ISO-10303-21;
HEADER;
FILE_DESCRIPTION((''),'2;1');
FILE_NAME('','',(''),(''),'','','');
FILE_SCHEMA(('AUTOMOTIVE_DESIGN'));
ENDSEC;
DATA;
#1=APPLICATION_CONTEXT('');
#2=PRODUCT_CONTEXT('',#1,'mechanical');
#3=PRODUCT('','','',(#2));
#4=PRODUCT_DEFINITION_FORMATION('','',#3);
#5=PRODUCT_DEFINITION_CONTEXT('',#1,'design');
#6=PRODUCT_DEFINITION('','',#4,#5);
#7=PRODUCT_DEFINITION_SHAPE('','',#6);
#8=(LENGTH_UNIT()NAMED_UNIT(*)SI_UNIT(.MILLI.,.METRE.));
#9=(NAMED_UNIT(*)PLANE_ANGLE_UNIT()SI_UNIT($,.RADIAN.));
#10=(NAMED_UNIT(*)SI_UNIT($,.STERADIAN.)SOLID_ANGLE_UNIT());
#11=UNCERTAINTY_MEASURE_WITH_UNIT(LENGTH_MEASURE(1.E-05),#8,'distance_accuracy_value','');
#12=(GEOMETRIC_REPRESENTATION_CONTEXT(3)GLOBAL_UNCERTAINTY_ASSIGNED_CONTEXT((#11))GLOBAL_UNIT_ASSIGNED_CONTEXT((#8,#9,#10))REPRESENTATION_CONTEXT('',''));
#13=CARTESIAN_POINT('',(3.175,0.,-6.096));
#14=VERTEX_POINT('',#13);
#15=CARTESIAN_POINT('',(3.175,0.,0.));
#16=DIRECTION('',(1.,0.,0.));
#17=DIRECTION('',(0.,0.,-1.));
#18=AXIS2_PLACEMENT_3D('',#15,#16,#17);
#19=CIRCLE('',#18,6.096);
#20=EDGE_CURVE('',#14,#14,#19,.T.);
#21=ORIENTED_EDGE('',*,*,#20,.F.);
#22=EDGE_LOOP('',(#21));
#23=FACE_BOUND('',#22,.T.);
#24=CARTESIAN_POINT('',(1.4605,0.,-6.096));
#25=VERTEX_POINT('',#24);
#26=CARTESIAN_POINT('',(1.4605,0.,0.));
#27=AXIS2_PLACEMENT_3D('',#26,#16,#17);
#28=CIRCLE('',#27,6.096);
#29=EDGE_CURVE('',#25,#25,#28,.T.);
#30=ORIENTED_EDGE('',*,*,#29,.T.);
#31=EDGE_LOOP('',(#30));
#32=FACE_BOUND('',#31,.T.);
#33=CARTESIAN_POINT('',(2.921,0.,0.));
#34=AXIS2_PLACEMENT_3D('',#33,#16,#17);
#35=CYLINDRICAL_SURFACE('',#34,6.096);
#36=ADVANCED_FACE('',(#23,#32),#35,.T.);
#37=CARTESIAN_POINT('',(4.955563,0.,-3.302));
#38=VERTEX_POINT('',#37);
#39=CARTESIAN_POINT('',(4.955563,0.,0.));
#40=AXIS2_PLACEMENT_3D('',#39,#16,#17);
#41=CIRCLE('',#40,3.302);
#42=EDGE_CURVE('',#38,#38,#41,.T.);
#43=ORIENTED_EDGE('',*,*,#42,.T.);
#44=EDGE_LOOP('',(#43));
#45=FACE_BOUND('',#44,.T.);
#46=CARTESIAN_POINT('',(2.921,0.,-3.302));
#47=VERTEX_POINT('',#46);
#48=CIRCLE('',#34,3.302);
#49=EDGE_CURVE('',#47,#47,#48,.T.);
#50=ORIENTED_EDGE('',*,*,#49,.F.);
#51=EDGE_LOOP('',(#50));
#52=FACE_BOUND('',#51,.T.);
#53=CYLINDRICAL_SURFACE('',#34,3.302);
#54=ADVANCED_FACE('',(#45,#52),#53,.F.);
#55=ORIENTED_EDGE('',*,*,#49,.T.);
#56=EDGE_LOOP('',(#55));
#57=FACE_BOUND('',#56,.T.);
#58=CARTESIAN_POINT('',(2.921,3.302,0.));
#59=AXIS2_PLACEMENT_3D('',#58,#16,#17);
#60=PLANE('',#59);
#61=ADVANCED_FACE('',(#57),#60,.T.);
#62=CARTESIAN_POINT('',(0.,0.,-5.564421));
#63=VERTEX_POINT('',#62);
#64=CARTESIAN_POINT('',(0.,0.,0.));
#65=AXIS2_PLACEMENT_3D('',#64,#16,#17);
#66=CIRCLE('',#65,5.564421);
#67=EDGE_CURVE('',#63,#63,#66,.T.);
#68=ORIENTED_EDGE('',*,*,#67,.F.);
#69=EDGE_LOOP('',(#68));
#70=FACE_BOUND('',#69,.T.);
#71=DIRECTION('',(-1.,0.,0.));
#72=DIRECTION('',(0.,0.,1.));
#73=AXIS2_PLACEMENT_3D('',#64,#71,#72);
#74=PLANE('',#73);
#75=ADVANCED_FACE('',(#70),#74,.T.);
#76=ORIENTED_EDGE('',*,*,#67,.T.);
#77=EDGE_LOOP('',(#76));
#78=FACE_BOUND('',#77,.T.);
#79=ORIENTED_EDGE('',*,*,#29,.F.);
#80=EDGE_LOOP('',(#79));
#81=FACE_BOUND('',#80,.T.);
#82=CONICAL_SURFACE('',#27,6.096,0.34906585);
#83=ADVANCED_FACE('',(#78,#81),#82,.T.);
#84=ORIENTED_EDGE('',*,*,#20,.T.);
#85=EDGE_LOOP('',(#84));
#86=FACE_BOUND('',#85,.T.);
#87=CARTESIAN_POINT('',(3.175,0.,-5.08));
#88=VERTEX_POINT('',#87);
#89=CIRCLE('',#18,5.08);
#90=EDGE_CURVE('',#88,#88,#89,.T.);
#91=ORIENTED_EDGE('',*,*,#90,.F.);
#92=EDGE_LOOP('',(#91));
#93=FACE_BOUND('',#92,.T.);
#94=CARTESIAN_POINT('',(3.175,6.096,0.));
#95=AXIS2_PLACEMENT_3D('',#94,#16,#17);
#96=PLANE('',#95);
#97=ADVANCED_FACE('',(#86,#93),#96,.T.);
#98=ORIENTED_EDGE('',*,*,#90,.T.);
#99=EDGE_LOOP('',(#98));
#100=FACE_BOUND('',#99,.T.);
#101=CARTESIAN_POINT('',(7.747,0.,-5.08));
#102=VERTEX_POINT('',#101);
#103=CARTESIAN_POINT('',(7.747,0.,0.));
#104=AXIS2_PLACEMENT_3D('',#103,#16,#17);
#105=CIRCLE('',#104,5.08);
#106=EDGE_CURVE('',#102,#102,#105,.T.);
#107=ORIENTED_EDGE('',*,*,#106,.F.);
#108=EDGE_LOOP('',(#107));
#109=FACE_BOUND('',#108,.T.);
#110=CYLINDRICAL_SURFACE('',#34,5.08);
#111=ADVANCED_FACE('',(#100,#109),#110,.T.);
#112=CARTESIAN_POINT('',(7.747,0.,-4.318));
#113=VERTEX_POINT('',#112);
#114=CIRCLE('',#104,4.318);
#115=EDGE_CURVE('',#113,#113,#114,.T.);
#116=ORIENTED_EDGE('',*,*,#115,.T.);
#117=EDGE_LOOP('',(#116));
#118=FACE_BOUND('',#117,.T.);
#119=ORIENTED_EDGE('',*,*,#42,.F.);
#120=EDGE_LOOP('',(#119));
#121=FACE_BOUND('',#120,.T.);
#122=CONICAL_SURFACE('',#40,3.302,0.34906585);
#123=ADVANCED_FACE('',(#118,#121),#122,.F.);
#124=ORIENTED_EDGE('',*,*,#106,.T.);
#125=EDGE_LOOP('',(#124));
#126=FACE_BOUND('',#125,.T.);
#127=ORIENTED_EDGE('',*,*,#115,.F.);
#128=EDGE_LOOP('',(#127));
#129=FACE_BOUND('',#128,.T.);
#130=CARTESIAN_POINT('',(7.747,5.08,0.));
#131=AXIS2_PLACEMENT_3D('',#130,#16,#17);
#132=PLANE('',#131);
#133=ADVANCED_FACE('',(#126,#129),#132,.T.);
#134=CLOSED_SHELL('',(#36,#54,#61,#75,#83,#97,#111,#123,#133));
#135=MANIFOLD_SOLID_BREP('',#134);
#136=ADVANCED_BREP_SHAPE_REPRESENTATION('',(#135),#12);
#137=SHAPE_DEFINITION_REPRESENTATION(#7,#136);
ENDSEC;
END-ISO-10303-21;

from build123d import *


with BuildPart() as part:
    # Sketch1 → Revolve1 (revolve)
    with BuildSketch(Plane.XY):
        Polygon((0, 0), (0, 5.564421473), (1.4605, 6.096), (3.175, 6.096), (3.175, 5.08), (7.747, 5.08), (7.747, 4.318), (4.955562942, 3.302), (2.921, 3.302), (2.921, 0), align=None)
    revolve(axis=Axis((2.921, 0, 0), (-1, 0, 0)))


solid = part.part
